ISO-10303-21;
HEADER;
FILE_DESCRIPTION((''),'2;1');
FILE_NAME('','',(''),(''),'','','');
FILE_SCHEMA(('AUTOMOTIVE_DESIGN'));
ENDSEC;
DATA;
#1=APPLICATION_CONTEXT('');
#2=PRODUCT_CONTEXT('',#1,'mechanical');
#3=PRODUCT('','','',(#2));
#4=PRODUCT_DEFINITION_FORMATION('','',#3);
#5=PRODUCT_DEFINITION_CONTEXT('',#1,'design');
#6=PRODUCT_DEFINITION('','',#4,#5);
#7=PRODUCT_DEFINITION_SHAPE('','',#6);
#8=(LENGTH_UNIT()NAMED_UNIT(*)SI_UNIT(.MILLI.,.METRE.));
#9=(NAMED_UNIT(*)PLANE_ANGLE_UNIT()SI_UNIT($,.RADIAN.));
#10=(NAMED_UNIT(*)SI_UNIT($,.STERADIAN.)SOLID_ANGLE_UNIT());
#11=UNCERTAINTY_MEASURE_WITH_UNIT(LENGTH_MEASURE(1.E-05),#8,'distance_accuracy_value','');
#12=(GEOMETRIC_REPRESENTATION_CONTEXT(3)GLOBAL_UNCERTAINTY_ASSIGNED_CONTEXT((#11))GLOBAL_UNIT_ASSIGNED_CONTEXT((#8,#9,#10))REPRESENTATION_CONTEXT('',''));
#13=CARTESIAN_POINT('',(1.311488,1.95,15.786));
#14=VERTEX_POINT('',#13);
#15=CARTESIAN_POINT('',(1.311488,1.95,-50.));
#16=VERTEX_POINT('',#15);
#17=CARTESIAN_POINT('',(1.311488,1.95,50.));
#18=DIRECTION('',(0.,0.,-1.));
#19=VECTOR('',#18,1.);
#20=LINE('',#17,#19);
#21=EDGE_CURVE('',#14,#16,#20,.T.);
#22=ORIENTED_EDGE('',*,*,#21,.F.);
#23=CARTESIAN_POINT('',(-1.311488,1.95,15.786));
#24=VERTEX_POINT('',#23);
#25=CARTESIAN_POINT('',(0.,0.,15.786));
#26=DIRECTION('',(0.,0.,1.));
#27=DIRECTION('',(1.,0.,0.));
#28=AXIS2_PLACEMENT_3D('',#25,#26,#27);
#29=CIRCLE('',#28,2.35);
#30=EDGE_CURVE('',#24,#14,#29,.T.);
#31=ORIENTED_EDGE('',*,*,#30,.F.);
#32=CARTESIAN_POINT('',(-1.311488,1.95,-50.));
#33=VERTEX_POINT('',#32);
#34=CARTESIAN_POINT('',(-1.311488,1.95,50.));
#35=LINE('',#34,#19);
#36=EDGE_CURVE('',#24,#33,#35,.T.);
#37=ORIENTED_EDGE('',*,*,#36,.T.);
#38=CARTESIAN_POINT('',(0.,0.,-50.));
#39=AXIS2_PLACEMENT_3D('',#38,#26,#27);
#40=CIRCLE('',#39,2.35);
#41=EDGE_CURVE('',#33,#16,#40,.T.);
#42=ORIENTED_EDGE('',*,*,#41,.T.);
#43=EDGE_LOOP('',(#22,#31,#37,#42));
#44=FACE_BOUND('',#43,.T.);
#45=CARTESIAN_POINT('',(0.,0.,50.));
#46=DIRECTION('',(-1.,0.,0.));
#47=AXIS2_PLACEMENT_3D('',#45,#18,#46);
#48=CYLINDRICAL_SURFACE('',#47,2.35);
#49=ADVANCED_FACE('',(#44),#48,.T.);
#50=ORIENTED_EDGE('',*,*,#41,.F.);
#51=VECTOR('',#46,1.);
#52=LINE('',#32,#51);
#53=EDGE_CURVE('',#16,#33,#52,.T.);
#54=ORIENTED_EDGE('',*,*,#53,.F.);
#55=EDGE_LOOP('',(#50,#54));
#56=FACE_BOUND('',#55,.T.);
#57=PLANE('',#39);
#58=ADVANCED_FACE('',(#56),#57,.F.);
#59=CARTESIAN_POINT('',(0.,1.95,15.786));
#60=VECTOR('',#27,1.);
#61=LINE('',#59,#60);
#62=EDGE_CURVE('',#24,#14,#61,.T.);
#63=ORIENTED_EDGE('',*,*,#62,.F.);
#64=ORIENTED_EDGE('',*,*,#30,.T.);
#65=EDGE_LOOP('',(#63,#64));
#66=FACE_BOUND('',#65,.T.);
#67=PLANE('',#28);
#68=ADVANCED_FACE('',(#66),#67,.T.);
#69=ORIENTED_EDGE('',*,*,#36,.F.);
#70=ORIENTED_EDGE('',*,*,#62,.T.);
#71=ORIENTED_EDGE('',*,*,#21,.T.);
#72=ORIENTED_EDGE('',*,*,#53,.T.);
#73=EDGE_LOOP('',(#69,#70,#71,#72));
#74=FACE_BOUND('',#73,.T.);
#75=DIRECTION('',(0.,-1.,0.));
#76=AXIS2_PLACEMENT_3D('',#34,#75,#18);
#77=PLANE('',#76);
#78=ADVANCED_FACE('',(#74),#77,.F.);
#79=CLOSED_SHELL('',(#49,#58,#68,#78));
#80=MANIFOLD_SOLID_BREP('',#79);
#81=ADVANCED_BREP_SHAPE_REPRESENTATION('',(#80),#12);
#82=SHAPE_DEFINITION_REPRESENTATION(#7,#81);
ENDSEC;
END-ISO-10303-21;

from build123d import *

# Parameters (mm, degrees)
BOSS_EXTRUDE1_DEPTH = 50
CUT_EXTRUDE3_START  = 50
CUT_EXTRUDE3_DEPTH  = 34.214


with BuildPart() as part:
    # Sketch1 → Boss-Extrude1 (new, symmetric)
    with BuildSketch(Plane.XY):
        with BuildLine():
            Line((-1.311487705, 1.95), (1.311487705, 1.95))
            ThreePointArc((1.311487705, 1.95), (0, -2.35), (-1.311487705, 1.95))
        make_face()
    extrude(amount=BOSS_EXTRUDE1_DEPTH, both=True)

    # Sketch1<6> → Cut-Extrude3 (cut)
    with BuildSketch(Plane.XY.offset(CUT_EXTRUDE3_START)):
        with BuildLine():
            Line((-1.311487705, 1.95), (1.311487705, 1.95))
            ThreePointArc((1.311487705, 1.95), (0, -2.35), (-1.311487705, 1.95))
        make_face()
    extrude(amount=-CUT_EXTRUDE3_DEPTH, mode=Mode.SUBTRACT)


solid = part.part
